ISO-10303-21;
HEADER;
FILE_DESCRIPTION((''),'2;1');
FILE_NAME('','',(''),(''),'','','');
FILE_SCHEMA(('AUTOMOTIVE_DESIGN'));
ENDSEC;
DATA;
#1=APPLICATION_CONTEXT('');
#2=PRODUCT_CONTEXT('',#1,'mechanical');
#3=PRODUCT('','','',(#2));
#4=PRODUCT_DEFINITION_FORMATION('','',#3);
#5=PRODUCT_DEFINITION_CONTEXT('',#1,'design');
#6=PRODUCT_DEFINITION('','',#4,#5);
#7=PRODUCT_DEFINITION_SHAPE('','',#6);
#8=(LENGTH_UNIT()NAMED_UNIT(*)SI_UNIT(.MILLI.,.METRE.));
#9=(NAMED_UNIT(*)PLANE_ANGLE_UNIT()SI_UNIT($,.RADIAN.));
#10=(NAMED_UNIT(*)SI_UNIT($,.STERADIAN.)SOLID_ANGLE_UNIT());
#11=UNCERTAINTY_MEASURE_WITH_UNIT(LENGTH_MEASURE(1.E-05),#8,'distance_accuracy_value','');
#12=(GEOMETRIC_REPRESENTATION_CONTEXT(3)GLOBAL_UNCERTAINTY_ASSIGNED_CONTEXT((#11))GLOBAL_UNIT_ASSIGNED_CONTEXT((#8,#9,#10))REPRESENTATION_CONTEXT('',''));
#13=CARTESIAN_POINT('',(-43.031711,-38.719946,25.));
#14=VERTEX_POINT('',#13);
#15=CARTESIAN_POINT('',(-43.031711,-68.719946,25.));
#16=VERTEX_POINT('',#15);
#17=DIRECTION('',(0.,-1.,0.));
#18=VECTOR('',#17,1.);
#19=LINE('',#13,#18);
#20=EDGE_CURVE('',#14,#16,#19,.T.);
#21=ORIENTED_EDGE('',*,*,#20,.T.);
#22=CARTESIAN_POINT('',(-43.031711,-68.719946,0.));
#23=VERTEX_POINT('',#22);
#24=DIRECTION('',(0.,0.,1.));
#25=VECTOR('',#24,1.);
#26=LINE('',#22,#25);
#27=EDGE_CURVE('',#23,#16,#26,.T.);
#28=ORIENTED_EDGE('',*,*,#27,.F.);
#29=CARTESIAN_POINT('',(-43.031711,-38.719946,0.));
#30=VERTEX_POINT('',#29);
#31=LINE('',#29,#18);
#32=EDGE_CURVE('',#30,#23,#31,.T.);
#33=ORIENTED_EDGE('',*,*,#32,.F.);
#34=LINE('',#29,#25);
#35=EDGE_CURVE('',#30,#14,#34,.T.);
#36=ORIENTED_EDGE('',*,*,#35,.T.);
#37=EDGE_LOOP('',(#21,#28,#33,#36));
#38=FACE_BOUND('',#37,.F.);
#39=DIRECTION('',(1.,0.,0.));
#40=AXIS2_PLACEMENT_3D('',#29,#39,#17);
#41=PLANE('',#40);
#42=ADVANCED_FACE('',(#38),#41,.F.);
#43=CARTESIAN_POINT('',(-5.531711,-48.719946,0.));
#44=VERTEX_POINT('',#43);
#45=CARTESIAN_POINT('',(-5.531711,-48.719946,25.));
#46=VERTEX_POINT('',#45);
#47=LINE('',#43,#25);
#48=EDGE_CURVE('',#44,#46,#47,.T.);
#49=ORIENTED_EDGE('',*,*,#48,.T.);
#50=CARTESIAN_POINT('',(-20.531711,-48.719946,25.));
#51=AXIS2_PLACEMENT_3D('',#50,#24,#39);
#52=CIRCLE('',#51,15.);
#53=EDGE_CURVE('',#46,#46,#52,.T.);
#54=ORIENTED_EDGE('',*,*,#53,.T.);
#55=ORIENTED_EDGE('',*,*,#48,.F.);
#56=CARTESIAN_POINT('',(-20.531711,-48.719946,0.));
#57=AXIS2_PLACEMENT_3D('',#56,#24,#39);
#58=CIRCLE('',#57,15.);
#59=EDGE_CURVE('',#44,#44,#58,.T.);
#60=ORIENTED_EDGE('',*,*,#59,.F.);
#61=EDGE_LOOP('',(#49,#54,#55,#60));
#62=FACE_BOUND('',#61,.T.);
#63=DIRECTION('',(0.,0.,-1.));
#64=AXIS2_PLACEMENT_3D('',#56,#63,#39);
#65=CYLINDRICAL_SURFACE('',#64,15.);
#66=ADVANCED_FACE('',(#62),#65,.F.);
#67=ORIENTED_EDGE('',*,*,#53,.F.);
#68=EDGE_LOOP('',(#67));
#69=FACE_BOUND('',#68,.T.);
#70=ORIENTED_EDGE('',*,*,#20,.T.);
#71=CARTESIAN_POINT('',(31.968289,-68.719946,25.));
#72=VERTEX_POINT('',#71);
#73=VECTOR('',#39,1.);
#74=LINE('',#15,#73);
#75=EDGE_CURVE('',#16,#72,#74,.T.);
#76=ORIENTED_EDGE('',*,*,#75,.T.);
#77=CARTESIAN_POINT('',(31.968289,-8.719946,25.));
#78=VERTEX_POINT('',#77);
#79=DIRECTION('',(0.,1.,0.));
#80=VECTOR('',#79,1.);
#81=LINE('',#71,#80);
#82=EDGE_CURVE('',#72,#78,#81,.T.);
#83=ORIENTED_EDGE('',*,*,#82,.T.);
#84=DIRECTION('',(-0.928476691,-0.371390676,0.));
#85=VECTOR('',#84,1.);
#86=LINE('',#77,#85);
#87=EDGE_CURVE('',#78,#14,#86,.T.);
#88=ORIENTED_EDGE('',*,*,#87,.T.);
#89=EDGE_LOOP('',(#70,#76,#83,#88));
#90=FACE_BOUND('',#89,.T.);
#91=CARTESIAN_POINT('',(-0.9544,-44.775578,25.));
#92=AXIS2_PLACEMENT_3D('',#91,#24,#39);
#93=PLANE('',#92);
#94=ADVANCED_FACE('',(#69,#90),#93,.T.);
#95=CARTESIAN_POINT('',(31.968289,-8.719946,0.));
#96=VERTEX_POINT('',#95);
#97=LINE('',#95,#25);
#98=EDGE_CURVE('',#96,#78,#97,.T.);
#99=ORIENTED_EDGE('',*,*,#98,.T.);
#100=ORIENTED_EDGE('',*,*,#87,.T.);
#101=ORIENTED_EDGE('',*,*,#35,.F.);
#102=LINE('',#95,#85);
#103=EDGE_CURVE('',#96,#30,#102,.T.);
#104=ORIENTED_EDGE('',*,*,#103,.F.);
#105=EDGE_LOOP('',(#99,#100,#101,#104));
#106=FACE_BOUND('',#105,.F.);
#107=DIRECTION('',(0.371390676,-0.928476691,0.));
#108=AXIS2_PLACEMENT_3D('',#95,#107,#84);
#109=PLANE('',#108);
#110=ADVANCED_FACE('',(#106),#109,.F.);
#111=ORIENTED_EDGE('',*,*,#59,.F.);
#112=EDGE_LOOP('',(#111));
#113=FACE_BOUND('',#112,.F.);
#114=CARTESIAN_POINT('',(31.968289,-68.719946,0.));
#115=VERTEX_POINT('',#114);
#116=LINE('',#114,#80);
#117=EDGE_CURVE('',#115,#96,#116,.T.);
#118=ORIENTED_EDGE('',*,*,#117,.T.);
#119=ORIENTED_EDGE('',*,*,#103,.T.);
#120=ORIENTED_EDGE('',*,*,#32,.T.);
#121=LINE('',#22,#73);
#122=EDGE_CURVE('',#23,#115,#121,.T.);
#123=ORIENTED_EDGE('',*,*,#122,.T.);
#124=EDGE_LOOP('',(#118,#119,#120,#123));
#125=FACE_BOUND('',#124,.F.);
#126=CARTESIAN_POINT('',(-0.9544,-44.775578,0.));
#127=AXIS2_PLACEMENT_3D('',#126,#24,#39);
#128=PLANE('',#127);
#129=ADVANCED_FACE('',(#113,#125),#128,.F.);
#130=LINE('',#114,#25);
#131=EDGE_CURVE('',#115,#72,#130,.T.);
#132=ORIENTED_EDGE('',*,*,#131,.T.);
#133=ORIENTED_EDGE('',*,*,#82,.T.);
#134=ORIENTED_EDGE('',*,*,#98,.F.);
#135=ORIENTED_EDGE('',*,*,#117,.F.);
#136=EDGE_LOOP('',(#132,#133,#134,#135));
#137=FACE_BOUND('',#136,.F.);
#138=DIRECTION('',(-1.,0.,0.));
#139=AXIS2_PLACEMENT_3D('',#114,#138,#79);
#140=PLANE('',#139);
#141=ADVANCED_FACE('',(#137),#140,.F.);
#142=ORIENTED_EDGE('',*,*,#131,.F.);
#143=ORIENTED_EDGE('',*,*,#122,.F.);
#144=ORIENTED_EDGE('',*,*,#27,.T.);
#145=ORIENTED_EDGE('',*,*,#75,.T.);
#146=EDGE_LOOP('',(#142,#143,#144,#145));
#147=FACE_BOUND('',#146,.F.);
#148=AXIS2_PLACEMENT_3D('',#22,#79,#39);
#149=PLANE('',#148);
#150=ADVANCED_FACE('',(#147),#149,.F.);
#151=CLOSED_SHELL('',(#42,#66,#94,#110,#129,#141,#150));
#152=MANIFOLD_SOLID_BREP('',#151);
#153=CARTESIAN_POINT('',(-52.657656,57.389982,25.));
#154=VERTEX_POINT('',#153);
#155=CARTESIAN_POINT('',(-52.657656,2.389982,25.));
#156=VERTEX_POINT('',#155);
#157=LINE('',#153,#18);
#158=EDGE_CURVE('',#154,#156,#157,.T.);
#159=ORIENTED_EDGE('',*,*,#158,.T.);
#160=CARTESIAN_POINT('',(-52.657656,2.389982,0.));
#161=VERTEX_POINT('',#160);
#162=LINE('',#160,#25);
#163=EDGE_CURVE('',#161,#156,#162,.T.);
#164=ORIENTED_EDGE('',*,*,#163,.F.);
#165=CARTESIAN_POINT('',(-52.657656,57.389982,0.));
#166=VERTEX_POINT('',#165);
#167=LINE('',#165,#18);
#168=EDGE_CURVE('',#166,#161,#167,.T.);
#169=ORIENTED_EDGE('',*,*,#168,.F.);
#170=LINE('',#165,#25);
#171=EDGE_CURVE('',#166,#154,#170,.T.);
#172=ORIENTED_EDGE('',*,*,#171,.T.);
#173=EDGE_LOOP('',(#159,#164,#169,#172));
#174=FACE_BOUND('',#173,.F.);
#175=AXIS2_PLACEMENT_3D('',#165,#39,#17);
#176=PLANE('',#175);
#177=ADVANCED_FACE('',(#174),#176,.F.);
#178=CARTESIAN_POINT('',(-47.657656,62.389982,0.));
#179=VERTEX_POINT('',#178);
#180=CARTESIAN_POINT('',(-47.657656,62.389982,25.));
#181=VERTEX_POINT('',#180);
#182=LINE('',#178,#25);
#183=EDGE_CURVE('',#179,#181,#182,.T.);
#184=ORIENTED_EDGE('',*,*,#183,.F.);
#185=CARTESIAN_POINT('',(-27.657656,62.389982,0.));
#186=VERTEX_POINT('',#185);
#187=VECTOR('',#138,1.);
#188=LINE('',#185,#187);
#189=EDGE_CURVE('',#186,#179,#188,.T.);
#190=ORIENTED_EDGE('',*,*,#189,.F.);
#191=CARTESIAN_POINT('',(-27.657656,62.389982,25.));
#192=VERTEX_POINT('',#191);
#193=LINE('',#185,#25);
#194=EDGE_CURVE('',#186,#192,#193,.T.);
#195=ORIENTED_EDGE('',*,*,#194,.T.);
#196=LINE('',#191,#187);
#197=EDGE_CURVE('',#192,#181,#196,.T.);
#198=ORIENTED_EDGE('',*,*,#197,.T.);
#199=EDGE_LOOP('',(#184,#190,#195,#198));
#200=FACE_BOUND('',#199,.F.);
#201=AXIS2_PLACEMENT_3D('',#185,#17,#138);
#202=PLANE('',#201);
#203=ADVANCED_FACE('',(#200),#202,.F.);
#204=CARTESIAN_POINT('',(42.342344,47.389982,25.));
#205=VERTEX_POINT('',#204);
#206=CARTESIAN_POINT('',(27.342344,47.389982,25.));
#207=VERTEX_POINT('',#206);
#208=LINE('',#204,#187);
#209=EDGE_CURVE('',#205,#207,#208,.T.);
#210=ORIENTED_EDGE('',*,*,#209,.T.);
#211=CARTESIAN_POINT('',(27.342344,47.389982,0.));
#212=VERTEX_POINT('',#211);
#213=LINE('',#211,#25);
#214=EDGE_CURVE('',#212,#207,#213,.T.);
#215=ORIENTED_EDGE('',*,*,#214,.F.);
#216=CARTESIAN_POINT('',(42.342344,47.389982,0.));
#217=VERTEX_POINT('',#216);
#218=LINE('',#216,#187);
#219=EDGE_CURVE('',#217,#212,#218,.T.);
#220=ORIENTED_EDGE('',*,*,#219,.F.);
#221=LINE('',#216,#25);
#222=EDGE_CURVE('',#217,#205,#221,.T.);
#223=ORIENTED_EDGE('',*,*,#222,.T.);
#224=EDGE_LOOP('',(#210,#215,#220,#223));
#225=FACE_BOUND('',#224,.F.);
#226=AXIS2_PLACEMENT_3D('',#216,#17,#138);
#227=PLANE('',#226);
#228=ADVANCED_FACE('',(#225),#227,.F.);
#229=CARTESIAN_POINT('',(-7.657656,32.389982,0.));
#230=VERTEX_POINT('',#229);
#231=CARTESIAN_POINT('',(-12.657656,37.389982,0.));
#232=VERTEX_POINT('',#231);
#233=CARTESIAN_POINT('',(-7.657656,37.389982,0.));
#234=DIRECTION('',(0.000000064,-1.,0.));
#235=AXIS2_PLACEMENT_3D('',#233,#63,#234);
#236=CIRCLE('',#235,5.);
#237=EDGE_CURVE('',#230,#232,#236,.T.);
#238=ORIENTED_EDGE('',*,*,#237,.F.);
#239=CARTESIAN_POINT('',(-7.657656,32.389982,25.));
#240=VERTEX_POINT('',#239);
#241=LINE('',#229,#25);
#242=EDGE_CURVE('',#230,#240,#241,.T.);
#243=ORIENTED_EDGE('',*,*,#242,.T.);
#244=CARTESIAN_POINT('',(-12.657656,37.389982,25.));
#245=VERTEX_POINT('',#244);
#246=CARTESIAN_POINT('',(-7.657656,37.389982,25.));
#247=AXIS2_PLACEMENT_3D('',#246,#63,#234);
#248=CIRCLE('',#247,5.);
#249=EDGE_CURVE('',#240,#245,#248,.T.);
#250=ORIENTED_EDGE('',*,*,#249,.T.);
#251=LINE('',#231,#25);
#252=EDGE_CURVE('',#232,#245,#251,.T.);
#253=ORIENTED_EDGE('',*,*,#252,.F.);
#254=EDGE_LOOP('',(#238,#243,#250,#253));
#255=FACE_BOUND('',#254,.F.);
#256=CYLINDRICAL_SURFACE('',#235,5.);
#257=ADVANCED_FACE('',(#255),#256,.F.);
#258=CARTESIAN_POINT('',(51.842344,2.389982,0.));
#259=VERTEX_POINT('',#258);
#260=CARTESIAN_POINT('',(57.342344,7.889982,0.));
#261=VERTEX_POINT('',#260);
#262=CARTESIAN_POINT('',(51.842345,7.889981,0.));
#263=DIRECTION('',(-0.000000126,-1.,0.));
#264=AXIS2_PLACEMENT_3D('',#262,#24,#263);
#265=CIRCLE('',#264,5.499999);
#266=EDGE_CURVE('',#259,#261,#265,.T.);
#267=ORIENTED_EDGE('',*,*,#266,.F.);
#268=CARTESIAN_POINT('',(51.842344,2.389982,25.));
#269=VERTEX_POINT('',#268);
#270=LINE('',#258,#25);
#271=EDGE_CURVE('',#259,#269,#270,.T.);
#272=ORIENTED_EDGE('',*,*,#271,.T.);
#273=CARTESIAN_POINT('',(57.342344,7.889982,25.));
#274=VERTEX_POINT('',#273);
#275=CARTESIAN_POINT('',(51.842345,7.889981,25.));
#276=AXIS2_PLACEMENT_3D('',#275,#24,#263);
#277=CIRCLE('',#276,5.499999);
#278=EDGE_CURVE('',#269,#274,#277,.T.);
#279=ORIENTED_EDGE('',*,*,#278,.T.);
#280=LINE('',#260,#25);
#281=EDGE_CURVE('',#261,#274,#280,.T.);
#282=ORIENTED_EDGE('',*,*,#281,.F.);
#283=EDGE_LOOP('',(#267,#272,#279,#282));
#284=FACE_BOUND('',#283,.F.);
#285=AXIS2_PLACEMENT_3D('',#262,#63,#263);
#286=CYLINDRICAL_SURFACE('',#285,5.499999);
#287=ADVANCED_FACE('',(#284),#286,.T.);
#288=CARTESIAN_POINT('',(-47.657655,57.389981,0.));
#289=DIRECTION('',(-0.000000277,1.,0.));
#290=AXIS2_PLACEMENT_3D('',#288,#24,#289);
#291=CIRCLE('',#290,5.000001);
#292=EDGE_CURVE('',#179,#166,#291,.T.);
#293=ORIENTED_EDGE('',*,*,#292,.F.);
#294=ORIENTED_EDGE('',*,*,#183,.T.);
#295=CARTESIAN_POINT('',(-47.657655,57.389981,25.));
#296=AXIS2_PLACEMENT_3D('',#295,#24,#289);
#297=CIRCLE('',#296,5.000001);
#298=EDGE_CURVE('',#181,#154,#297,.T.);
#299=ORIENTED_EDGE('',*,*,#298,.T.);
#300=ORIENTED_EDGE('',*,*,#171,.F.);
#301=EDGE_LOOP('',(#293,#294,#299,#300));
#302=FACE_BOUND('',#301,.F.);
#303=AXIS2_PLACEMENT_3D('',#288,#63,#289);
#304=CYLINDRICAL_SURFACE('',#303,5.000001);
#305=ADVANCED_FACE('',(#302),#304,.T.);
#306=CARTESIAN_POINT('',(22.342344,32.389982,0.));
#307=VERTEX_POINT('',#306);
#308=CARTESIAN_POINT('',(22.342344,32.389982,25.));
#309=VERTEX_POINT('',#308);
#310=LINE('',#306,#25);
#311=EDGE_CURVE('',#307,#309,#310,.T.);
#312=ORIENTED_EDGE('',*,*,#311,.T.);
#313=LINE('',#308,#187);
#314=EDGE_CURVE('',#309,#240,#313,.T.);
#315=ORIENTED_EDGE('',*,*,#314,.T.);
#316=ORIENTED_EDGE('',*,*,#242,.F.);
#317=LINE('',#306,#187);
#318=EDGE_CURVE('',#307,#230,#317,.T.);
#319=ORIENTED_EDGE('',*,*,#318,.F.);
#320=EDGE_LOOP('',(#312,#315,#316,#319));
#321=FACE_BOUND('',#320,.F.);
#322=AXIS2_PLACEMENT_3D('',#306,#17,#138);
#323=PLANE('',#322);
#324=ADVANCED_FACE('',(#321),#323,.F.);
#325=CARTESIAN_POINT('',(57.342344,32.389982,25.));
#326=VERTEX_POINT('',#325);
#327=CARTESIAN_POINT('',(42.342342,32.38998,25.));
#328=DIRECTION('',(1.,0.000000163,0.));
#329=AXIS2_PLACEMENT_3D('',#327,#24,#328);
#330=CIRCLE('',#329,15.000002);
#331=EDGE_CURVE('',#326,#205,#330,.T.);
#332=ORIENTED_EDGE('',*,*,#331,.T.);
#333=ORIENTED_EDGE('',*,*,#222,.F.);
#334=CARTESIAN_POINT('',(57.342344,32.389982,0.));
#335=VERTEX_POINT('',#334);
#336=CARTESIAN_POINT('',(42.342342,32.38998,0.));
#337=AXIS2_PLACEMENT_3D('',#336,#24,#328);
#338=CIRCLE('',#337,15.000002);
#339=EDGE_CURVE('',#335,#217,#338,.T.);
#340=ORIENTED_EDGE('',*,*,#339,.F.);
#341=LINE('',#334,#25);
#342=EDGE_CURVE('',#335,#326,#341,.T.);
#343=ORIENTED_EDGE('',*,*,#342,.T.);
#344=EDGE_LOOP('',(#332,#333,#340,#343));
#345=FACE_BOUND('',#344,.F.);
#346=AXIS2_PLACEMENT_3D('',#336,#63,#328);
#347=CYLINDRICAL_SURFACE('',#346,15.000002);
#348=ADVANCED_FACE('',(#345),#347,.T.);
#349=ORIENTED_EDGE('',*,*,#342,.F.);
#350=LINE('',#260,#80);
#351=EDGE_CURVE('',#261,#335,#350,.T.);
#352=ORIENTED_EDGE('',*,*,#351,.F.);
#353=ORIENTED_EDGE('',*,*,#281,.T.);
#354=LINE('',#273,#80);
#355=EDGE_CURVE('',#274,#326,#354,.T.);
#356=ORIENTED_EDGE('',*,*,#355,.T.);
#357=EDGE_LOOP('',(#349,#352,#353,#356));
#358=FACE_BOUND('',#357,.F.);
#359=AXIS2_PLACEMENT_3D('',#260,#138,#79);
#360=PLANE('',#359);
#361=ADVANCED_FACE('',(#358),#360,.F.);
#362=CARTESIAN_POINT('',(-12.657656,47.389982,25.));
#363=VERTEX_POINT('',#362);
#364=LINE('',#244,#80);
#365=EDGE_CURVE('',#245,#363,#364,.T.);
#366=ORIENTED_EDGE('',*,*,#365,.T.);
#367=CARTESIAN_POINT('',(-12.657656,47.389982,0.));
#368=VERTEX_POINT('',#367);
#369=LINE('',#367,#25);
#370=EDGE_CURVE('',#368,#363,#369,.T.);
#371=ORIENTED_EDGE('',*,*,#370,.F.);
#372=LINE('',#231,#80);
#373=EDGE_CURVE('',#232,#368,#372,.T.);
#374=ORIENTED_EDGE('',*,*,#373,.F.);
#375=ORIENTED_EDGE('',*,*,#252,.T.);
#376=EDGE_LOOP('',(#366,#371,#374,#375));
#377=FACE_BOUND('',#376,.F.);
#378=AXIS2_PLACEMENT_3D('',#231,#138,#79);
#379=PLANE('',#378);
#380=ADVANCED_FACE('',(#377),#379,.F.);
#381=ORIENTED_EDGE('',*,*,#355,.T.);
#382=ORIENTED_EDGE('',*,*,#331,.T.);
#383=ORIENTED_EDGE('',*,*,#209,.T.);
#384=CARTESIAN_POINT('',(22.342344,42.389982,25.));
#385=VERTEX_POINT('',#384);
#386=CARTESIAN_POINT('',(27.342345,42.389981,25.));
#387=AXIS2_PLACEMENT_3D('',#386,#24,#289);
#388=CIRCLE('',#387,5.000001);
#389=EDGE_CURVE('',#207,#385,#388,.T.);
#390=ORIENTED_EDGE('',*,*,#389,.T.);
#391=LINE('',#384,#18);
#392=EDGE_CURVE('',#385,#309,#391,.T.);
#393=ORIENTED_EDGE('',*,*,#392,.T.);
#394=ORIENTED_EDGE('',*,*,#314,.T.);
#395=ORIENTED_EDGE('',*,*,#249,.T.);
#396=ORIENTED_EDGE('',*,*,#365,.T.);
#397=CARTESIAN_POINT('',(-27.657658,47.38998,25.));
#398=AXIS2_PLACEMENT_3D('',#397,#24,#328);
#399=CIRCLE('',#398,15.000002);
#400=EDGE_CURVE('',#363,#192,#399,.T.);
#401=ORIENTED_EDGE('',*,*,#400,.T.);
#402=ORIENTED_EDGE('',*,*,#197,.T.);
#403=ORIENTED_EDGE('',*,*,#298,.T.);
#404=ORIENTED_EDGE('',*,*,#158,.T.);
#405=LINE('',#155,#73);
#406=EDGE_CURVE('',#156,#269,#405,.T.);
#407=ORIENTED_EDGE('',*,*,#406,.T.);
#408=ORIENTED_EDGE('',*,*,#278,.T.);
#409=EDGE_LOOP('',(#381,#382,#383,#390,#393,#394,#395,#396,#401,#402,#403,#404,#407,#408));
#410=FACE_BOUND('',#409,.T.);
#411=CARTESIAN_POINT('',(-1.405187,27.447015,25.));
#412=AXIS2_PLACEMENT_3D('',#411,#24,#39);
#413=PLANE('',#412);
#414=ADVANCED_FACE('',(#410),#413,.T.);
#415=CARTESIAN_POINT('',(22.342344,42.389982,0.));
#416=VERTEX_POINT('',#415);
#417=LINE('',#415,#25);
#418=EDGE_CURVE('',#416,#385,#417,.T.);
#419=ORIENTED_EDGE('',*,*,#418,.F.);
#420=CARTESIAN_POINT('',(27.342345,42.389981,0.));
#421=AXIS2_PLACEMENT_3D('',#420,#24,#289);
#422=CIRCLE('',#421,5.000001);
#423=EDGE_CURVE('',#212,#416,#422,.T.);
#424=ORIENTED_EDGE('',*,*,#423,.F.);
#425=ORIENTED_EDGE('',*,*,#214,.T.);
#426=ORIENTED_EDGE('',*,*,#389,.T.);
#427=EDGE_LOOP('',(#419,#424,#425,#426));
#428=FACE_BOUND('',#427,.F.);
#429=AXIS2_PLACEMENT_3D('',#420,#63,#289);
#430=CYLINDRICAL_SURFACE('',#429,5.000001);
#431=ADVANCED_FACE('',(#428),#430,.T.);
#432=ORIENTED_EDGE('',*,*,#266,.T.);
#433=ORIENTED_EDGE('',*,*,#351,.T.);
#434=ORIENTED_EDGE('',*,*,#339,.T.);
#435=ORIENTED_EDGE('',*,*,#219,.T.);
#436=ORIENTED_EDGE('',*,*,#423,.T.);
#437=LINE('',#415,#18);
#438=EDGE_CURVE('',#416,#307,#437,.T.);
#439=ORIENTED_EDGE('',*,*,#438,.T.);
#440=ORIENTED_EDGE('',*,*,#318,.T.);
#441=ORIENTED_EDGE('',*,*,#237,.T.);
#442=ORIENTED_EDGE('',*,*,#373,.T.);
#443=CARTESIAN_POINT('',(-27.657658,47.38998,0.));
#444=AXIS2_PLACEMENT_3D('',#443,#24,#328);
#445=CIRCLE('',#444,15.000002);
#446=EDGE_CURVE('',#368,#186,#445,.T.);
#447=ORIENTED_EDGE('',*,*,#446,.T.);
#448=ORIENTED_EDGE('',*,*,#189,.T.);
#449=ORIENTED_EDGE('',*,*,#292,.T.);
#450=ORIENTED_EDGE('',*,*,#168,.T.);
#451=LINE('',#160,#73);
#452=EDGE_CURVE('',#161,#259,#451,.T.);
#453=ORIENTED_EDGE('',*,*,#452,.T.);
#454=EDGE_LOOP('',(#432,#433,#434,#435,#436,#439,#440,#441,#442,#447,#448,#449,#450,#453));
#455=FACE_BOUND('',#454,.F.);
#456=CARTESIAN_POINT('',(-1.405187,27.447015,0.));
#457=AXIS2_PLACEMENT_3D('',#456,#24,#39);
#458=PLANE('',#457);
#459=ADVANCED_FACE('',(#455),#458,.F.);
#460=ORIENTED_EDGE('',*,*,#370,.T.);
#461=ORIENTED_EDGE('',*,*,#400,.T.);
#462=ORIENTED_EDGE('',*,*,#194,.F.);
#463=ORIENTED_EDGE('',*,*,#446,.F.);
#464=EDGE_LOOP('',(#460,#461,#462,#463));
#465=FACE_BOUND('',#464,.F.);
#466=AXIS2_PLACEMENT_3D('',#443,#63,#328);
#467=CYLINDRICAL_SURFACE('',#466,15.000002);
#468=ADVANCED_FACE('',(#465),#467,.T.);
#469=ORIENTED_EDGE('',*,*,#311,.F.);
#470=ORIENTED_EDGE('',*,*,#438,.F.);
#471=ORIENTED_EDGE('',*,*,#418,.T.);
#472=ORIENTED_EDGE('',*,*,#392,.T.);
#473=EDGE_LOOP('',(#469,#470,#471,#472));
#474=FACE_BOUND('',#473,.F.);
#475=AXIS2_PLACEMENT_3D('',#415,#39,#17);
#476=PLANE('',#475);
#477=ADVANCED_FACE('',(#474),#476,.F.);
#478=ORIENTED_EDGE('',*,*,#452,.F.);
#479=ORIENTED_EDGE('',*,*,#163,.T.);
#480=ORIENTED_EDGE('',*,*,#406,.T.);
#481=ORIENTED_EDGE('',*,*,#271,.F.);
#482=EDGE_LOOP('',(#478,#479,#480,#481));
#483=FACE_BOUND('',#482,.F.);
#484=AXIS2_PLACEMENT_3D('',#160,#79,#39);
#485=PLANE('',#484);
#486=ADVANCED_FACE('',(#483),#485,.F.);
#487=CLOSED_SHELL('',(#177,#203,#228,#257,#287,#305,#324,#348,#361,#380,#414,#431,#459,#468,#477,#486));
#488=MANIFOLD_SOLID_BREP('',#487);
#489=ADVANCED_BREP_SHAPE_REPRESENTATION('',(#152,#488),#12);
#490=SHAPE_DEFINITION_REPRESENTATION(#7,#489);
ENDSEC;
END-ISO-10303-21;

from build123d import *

# Parameters (mm, degrees)
F0_R     = 15
F1_DEPTH = 25


with BuildPart() as f1:
    # F0 (on Top) → F1 (new body)
    with BuildSketch(Plane.XY):
        with BuildLine():
            Line((-52.657656, 57.389982), (-52.657656, 2.389982))
            Line((-52.657656, 2.389982), (51.842344, 2.389982))
            ThreePointArc((51.842344, 2.389982), (55.731431, 4.000894), (57.342344, 7.889982))
            Line((57.342344, 7.889982), (57.342344, 32.389982))
            ThreePointArc((57.342344, 32.389982), (52.948945, 42.996583), (42.342344, 47.389982))
            Line((42.342344, 47.389982), (27.342344, 47.389982))
            ThreePointArc((27.342344, 47.389982), (23.80681, 45.925515), (22.342344, 42.389982))
            Line((22.342344, 42.389982), (22.342344, 32.389982))
            Line((22.342344, 32.389982), (-7.657656, 32.389982))
            ThreePointArc((-7.657656, 32.389982), (-11.19319, 33.854448), (-12.657656, 37.389982))
            Line((-12.657656, 37.389982), (-12.657656, 47.389982))
            ThreePointArc((-12.657656, 47.389982), (-17.051055, 57.996583), (-27.657656, 62.389982))
            Line((-27.657656, 62.389982), (-47.657656, 62.389982))
            ThreePointArc((-47.657656, 62.389982), (-51.19319, 60.925515), (-52.657656, 57.389982))
        make_face()
        Polygon((-43.031711, -38.719946), (-43.031711, -68.719946), (31.968289, -68.719946), (31.968289, -8.719946), align=None)
        with Locations((-20.531711, -48.719946)):
            Circle(F0_R, mode=Mode.SUBTRACT)
    extrude(amount=F1_DEPTH)


solid = f1.part
